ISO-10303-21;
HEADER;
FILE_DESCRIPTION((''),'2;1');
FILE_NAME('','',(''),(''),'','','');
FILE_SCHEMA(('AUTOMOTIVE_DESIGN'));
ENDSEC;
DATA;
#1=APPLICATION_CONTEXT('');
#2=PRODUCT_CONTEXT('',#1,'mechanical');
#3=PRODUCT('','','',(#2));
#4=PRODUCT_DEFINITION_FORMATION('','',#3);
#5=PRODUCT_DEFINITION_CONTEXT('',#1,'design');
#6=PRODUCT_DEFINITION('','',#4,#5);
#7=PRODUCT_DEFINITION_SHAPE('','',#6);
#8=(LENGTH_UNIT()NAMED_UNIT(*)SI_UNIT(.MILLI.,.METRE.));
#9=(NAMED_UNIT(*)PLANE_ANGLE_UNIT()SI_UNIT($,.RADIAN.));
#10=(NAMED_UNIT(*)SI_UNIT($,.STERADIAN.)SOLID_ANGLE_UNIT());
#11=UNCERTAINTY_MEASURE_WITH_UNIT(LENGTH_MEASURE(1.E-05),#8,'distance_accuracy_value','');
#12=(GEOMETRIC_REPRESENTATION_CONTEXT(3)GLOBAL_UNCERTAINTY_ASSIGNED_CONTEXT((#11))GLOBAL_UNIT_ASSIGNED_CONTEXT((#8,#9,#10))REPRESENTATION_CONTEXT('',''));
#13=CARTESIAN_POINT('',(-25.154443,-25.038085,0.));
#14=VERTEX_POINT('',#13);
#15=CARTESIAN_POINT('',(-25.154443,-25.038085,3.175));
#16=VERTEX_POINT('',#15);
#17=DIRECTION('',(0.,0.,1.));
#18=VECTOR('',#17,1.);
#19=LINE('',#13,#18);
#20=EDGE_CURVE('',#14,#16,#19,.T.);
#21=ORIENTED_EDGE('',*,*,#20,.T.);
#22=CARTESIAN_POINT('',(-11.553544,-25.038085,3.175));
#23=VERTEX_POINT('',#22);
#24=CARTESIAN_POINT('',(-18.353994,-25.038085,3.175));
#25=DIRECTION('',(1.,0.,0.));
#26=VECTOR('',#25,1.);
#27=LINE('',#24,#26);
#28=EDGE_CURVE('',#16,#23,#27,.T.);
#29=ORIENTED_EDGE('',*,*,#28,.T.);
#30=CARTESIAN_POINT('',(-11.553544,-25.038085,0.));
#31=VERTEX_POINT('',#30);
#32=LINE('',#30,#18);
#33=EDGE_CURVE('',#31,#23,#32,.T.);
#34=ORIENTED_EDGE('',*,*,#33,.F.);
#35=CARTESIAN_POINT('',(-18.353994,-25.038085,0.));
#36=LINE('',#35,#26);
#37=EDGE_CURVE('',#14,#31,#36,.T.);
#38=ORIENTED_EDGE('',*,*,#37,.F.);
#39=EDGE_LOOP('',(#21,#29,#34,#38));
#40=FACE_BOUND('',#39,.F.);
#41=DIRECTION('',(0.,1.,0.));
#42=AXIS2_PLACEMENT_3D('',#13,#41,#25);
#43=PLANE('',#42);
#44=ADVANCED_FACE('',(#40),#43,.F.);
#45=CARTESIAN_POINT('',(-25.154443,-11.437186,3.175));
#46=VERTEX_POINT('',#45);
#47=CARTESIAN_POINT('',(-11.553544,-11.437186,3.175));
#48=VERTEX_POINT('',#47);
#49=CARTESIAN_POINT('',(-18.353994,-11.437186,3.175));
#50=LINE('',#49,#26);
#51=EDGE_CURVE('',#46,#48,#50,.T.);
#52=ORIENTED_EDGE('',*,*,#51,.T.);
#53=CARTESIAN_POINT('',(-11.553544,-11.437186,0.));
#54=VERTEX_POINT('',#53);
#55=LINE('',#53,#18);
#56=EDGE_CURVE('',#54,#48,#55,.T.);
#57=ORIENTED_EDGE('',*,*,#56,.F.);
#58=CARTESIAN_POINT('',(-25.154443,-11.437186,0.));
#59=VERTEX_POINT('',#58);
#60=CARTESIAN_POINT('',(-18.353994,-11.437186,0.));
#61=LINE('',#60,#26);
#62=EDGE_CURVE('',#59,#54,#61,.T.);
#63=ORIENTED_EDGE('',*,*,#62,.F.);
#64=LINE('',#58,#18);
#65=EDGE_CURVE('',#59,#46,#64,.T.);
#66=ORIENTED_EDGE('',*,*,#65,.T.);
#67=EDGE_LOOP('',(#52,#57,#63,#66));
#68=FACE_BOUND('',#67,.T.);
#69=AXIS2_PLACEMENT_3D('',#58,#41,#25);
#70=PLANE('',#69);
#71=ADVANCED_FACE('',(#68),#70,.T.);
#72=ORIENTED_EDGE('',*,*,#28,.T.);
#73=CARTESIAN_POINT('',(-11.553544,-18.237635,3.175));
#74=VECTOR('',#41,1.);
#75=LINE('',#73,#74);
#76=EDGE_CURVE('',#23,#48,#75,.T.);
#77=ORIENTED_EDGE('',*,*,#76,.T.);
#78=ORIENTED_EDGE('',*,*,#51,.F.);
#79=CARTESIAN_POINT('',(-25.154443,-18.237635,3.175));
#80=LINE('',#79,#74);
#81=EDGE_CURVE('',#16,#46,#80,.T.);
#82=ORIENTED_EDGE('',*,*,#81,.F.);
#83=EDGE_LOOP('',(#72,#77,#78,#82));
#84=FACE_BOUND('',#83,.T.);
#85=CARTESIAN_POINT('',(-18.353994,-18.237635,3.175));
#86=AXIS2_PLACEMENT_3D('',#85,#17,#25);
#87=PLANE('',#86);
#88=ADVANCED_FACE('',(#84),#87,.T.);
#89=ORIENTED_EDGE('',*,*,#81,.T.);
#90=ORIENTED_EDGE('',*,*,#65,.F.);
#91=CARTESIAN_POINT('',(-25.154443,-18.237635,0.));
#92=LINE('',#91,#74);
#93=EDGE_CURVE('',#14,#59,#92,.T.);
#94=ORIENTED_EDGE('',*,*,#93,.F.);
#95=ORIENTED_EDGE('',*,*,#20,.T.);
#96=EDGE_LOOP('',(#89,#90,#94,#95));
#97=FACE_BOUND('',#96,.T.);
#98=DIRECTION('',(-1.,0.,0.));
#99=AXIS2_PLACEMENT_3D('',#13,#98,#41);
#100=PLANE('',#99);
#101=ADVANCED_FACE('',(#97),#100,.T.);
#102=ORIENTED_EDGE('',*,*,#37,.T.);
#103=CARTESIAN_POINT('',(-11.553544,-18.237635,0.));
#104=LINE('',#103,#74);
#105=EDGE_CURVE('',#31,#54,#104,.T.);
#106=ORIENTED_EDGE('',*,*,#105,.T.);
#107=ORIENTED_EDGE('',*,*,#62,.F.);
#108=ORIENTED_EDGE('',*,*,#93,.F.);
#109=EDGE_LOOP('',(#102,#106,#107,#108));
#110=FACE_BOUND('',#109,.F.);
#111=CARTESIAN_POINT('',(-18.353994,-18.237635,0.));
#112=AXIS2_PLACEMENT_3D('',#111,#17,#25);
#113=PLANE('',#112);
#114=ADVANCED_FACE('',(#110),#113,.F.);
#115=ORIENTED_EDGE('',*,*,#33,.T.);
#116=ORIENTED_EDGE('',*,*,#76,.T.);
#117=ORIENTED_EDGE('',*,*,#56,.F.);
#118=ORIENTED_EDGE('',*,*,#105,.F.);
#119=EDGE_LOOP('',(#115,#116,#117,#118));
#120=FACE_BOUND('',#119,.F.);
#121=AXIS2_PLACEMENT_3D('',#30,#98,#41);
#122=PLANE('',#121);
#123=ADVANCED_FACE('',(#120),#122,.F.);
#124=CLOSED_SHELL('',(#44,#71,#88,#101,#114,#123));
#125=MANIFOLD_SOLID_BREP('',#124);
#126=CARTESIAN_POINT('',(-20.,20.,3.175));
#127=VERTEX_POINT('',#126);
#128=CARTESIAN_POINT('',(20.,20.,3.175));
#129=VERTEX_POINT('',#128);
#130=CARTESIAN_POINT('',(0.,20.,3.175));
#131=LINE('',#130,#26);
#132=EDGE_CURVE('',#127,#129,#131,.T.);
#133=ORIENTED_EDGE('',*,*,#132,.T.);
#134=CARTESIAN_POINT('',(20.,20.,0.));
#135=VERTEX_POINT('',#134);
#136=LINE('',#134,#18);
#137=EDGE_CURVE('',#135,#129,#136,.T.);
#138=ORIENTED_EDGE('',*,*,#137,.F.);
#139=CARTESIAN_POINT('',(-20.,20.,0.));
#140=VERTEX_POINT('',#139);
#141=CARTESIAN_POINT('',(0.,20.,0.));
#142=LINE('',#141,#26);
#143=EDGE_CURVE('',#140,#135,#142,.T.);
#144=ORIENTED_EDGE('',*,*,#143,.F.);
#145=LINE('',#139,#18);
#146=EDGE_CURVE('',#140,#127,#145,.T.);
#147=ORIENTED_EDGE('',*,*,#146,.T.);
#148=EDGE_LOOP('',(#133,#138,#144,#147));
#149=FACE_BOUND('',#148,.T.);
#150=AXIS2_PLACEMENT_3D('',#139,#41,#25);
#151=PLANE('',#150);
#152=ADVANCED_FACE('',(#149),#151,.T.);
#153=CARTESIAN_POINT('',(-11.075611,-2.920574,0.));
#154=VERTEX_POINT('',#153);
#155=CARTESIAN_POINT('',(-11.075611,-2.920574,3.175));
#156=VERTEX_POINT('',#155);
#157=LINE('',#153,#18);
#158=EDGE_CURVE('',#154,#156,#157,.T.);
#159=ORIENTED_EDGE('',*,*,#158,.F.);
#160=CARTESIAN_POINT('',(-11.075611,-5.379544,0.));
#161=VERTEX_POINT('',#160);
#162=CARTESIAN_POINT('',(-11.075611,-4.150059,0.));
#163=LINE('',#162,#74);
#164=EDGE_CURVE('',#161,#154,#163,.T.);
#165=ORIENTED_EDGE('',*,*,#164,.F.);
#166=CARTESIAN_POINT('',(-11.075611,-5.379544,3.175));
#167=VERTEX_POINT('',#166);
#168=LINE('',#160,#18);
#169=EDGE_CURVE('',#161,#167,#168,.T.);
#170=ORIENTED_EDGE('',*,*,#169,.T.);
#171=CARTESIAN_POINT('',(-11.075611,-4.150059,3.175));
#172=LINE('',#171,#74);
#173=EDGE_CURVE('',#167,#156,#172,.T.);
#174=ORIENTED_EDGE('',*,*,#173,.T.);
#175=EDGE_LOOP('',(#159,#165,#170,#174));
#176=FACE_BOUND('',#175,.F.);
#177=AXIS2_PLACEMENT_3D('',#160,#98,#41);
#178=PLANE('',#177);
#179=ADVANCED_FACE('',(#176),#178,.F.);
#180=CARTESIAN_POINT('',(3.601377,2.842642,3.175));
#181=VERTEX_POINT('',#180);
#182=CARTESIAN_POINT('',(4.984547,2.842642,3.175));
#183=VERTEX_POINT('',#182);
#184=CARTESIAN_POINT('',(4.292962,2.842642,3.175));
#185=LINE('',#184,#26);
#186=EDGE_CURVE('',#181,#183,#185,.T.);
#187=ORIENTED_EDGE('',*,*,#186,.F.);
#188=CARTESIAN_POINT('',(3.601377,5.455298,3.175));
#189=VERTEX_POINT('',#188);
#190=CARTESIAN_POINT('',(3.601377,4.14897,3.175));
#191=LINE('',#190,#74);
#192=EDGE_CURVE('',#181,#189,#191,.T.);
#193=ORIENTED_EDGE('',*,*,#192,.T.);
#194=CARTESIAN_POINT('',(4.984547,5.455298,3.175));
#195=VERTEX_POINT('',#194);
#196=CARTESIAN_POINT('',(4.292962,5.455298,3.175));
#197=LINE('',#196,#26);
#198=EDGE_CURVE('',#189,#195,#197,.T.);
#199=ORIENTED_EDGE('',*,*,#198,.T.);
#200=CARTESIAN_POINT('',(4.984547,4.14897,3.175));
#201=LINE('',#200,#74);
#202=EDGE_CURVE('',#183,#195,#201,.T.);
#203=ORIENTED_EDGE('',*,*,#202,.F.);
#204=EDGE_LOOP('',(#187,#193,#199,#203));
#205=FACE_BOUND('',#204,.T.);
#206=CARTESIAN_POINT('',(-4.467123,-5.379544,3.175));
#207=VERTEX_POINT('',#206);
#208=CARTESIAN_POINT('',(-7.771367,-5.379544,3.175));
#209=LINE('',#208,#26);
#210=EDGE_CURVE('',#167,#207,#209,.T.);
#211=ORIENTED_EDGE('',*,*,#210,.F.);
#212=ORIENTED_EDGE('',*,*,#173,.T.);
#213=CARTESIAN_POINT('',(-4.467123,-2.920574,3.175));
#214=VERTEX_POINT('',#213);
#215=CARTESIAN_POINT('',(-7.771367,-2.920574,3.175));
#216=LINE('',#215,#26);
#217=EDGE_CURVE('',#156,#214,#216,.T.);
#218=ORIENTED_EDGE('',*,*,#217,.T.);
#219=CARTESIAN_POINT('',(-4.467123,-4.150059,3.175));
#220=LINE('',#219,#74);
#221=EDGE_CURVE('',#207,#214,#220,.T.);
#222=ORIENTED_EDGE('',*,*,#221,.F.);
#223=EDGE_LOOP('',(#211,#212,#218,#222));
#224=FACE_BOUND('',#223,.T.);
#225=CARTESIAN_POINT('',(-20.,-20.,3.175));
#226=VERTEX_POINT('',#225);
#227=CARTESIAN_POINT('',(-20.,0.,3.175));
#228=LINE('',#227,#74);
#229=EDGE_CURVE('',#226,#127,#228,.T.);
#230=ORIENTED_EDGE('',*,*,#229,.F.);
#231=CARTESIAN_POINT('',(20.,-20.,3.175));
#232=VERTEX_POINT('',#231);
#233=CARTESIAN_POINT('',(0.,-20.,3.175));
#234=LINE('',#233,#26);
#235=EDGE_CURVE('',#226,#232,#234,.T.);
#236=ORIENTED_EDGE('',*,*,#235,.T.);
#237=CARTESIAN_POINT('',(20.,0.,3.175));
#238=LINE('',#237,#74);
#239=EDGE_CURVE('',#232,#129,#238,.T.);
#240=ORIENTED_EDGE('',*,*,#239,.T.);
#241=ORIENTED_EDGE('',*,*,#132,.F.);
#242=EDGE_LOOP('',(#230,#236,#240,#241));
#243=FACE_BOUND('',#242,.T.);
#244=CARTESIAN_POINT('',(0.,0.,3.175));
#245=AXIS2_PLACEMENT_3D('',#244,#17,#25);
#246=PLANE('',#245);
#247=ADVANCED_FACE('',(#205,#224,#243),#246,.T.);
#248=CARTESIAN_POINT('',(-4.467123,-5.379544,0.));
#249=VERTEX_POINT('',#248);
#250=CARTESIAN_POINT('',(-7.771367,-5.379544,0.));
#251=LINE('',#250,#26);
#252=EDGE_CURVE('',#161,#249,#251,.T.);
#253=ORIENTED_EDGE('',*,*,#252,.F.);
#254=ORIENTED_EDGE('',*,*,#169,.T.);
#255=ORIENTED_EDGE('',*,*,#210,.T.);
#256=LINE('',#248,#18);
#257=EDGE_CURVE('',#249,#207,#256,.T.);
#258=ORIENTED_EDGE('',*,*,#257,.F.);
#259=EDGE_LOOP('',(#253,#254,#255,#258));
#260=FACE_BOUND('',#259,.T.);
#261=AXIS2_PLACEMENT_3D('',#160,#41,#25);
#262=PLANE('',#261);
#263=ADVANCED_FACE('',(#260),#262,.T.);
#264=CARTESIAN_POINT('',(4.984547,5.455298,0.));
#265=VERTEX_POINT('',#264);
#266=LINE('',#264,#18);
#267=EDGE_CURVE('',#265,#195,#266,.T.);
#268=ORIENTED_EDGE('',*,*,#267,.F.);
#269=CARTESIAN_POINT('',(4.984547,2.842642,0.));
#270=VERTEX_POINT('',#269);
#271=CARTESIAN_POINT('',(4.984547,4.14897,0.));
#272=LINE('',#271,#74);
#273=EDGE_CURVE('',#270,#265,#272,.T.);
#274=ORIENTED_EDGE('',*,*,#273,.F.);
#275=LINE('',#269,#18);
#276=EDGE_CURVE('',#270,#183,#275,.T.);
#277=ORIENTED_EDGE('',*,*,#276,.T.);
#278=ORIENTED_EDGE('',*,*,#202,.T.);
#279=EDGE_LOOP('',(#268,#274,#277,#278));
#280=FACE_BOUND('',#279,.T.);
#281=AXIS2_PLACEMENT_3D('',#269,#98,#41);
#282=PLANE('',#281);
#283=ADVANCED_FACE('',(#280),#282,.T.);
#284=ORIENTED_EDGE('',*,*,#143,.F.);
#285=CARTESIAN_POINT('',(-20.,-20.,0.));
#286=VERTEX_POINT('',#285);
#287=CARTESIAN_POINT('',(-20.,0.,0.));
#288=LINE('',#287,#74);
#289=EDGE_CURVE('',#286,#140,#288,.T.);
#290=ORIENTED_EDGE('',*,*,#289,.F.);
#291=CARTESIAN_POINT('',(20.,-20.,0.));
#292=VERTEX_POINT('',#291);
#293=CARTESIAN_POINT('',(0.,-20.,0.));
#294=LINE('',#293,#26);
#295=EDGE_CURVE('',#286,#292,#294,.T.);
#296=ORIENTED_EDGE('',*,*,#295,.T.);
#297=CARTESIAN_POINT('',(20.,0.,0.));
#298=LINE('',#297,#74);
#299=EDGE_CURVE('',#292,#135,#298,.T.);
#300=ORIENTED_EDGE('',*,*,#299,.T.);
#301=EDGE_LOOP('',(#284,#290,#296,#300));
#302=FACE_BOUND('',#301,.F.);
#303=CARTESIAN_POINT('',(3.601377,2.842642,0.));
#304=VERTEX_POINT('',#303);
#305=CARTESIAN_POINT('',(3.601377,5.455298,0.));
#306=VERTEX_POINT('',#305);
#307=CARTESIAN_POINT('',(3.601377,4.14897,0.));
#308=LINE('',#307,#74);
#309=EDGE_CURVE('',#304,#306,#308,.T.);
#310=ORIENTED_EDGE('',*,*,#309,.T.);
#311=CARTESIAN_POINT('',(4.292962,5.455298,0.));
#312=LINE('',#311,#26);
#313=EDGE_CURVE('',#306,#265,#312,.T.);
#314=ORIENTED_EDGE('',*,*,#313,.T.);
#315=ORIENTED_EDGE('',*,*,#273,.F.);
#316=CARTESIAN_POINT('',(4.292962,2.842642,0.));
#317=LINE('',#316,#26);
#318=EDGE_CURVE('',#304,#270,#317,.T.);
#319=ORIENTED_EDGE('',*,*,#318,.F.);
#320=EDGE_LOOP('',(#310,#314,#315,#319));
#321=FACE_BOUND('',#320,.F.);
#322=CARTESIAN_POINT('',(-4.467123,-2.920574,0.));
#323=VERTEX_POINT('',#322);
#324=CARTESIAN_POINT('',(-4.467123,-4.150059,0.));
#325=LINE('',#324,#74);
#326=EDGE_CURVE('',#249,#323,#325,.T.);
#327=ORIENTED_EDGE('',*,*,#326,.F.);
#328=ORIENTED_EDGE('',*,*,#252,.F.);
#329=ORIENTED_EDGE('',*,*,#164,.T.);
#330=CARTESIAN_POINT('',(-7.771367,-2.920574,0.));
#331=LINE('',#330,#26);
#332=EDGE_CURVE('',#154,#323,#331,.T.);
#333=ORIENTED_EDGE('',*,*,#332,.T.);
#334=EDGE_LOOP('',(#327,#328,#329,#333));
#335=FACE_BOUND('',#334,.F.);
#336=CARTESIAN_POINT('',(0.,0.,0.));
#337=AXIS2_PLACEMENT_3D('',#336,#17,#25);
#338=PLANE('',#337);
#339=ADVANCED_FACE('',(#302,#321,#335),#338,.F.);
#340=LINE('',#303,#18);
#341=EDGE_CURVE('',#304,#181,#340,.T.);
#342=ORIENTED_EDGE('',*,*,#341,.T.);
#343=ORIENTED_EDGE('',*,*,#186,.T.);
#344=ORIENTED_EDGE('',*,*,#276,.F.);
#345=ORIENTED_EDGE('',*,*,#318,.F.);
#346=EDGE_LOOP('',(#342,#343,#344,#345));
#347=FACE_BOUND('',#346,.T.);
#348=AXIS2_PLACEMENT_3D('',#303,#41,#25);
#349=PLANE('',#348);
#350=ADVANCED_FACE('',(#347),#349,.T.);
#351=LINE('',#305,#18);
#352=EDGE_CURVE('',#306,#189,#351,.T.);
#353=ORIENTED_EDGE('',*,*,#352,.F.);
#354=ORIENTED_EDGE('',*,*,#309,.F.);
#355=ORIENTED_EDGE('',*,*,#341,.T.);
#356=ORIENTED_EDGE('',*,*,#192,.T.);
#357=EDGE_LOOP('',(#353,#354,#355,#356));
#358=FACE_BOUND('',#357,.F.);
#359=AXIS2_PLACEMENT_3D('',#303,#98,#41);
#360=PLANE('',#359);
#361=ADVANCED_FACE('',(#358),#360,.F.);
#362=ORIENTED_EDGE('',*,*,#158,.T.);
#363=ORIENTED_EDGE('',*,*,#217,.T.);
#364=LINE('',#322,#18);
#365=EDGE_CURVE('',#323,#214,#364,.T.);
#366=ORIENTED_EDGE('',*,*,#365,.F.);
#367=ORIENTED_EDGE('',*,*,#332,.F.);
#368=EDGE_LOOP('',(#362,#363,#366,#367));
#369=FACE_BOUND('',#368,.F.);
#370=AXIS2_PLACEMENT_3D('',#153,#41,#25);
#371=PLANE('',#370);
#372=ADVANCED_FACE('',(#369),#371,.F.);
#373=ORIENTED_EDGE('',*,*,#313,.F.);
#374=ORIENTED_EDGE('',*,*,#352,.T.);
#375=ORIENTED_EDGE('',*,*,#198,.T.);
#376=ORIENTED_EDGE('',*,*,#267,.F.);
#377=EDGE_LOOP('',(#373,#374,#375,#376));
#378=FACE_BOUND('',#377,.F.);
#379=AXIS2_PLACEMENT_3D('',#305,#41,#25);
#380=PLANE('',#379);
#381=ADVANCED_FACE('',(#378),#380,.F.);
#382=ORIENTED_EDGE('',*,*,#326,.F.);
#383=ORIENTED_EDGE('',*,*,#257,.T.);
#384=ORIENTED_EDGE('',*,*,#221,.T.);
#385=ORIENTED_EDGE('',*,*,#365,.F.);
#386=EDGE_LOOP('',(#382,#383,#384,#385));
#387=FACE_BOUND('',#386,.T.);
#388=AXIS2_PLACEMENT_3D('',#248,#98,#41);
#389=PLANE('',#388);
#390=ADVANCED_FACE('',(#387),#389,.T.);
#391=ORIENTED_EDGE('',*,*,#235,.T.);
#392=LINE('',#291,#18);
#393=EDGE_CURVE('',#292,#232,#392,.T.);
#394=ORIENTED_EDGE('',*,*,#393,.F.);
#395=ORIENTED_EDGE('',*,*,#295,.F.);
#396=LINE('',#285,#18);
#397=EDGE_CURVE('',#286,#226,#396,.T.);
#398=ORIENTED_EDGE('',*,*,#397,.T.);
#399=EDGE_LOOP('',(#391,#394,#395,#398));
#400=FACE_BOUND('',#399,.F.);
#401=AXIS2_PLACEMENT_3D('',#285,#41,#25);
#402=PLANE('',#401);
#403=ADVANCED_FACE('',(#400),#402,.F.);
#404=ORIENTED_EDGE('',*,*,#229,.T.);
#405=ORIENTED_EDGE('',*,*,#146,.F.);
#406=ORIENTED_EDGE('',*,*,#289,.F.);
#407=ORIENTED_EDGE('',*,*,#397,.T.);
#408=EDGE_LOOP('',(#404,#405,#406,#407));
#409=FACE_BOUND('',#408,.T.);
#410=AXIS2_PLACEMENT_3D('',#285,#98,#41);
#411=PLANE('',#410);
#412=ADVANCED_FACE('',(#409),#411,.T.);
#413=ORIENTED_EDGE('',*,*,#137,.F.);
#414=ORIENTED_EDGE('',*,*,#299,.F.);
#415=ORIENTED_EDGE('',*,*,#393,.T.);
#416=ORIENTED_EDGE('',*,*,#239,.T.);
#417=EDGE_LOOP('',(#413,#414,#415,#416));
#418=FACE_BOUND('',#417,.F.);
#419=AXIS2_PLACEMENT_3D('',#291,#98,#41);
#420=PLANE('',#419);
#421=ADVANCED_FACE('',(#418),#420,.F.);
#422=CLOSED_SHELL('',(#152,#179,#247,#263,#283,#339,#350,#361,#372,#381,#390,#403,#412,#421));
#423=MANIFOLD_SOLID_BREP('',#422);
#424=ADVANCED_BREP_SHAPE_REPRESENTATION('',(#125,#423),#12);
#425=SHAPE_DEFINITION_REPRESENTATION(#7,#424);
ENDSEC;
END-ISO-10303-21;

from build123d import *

# Parameters (mm, degrees)
SKETCH_W     = 40
SKETCH_H     = 40
SKETCH_W_2   = 1.383169
SKETCH_H_2   = 2.612657
SKETCH_W_3   = 6.608488
SKETCH_H_3   = 2.458971
PAD_DEPTH    = 3.175
SKETCH001_W  = 13.600899
SKETCH001_H  = 13.600899
PAD001_DEPTH = 3.175


with BuildPart() as body:
    # Sketch → Pad (new body)
    with BuildSketch(Plane.XY):
        Rectangle(SKETCH_W, SKETCH_H)
        with Locations((4.292962, 4.14897)):
            Rectangle(SKETCH_W_2, SKETCH_H_2, mode=Mode.SUBTRACT)
        with Locations((-7.771367, -4.150059)):
            Rectangle(SKETCH_W_3, SKETCH_H_3, mode=Mode.SUBTRACT)
    extrude(amount=PAD_DEPTH)


with BuildPart() as body001:
    # Sketch001 → Pad001 (new body)
    with BuildSketch(Plane.XY):
        with Locations((-18.353994, -18.237635)):
            Rectangle(SKETCH001_W, SKETCH001_H)
    extrude(amount=PAD001_DEPTH)


solid = Compound([body.part, body001.part])
